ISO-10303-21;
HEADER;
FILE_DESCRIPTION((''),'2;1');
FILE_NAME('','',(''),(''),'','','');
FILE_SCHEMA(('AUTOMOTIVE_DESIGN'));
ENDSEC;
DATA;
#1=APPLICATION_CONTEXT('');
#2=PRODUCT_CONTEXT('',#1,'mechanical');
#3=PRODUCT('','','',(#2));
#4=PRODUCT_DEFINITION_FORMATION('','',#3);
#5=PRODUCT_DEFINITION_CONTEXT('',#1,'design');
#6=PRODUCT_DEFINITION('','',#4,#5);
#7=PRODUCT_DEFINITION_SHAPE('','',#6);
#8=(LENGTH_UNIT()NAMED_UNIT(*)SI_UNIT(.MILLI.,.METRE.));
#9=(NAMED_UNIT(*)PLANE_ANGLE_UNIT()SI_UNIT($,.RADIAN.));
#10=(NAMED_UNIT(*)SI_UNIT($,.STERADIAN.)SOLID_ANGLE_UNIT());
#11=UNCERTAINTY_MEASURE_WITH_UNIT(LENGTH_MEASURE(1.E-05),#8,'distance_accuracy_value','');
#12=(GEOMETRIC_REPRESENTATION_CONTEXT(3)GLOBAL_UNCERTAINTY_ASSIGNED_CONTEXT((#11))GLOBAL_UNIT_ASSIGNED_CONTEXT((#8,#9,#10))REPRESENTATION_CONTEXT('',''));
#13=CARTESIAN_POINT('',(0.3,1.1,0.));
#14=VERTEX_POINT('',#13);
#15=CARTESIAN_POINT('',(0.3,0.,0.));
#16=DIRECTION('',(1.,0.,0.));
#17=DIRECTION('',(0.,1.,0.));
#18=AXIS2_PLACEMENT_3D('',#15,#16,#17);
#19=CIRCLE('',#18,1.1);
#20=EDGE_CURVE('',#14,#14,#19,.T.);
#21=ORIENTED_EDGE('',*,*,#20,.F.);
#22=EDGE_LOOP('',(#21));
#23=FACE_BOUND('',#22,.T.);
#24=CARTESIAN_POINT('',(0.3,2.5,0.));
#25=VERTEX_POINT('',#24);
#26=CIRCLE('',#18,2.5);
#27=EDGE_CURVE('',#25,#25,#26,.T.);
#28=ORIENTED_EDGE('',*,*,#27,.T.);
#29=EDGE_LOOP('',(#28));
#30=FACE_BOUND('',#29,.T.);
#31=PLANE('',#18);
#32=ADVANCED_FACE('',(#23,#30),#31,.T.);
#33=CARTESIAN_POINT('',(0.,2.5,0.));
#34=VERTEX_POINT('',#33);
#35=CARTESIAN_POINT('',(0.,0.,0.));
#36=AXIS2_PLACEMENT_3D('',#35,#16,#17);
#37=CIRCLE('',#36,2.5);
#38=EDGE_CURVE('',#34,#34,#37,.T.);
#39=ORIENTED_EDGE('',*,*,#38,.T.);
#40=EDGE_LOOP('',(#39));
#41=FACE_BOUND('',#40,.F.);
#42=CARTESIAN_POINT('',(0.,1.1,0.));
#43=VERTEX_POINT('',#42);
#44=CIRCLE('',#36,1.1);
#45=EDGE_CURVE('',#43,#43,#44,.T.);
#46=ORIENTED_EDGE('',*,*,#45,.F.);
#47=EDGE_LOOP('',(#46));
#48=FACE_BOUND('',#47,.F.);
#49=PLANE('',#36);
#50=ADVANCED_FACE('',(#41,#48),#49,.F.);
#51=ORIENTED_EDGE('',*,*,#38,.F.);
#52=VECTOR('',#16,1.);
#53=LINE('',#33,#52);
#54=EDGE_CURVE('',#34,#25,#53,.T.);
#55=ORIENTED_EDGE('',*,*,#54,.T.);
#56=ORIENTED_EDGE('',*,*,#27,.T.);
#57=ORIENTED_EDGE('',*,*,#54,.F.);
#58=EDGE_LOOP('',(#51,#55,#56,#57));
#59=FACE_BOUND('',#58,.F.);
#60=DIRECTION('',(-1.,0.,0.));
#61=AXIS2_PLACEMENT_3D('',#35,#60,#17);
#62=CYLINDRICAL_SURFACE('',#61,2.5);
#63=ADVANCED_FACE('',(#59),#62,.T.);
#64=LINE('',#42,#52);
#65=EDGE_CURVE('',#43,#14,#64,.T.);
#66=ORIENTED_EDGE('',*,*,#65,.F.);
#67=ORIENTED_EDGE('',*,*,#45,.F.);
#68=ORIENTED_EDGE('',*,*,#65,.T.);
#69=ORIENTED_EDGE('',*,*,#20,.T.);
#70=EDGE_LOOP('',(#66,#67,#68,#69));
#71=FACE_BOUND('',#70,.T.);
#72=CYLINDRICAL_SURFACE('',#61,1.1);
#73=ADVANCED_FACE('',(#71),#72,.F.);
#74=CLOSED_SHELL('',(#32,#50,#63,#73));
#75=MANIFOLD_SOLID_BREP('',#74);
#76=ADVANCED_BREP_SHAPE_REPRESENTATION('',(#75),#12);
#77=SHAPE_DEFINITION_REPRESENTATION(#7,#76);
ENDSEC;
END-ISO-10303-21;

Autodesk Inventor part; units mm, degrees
ref_plane "YZ Plane" through (0, 0, 0) normal (1, 0, 0) x (0, 1, 0)
ref_plane "XZ Plane" through (0, 0, 0) normal (0, 1, 0) x (-1, 0, 0)
sketch "Náčrt" plane through (0, 0, 0) normal (1, 0, 0) x (0, 1, 0)
  circle A0 centre (0, 0) radius 2.5
  circle A1 centre (0, 0) radius 1.1
  dimension "d0" = 2.2
  dimension "d1" = 5
extrude "Těleso" add sketch "Náčrt" along normal blind 0.3
ref_plane "Work Plane1" through (0, 0, 0) normal (0, 0, 1) x (1, 0, 0)
equation "\"d0\" = SD1"
equation "\"d1\" = SD2"
equation "\"d2\" = SD"
equation "\"SD1\" = 2.2"
equation "\"SD2\" = 5"
equation "\"SD\" = 0.3"
equation "\"NND\" = 2"
properties part number "ISO 7089 - 2" material "Stainless Steel"
